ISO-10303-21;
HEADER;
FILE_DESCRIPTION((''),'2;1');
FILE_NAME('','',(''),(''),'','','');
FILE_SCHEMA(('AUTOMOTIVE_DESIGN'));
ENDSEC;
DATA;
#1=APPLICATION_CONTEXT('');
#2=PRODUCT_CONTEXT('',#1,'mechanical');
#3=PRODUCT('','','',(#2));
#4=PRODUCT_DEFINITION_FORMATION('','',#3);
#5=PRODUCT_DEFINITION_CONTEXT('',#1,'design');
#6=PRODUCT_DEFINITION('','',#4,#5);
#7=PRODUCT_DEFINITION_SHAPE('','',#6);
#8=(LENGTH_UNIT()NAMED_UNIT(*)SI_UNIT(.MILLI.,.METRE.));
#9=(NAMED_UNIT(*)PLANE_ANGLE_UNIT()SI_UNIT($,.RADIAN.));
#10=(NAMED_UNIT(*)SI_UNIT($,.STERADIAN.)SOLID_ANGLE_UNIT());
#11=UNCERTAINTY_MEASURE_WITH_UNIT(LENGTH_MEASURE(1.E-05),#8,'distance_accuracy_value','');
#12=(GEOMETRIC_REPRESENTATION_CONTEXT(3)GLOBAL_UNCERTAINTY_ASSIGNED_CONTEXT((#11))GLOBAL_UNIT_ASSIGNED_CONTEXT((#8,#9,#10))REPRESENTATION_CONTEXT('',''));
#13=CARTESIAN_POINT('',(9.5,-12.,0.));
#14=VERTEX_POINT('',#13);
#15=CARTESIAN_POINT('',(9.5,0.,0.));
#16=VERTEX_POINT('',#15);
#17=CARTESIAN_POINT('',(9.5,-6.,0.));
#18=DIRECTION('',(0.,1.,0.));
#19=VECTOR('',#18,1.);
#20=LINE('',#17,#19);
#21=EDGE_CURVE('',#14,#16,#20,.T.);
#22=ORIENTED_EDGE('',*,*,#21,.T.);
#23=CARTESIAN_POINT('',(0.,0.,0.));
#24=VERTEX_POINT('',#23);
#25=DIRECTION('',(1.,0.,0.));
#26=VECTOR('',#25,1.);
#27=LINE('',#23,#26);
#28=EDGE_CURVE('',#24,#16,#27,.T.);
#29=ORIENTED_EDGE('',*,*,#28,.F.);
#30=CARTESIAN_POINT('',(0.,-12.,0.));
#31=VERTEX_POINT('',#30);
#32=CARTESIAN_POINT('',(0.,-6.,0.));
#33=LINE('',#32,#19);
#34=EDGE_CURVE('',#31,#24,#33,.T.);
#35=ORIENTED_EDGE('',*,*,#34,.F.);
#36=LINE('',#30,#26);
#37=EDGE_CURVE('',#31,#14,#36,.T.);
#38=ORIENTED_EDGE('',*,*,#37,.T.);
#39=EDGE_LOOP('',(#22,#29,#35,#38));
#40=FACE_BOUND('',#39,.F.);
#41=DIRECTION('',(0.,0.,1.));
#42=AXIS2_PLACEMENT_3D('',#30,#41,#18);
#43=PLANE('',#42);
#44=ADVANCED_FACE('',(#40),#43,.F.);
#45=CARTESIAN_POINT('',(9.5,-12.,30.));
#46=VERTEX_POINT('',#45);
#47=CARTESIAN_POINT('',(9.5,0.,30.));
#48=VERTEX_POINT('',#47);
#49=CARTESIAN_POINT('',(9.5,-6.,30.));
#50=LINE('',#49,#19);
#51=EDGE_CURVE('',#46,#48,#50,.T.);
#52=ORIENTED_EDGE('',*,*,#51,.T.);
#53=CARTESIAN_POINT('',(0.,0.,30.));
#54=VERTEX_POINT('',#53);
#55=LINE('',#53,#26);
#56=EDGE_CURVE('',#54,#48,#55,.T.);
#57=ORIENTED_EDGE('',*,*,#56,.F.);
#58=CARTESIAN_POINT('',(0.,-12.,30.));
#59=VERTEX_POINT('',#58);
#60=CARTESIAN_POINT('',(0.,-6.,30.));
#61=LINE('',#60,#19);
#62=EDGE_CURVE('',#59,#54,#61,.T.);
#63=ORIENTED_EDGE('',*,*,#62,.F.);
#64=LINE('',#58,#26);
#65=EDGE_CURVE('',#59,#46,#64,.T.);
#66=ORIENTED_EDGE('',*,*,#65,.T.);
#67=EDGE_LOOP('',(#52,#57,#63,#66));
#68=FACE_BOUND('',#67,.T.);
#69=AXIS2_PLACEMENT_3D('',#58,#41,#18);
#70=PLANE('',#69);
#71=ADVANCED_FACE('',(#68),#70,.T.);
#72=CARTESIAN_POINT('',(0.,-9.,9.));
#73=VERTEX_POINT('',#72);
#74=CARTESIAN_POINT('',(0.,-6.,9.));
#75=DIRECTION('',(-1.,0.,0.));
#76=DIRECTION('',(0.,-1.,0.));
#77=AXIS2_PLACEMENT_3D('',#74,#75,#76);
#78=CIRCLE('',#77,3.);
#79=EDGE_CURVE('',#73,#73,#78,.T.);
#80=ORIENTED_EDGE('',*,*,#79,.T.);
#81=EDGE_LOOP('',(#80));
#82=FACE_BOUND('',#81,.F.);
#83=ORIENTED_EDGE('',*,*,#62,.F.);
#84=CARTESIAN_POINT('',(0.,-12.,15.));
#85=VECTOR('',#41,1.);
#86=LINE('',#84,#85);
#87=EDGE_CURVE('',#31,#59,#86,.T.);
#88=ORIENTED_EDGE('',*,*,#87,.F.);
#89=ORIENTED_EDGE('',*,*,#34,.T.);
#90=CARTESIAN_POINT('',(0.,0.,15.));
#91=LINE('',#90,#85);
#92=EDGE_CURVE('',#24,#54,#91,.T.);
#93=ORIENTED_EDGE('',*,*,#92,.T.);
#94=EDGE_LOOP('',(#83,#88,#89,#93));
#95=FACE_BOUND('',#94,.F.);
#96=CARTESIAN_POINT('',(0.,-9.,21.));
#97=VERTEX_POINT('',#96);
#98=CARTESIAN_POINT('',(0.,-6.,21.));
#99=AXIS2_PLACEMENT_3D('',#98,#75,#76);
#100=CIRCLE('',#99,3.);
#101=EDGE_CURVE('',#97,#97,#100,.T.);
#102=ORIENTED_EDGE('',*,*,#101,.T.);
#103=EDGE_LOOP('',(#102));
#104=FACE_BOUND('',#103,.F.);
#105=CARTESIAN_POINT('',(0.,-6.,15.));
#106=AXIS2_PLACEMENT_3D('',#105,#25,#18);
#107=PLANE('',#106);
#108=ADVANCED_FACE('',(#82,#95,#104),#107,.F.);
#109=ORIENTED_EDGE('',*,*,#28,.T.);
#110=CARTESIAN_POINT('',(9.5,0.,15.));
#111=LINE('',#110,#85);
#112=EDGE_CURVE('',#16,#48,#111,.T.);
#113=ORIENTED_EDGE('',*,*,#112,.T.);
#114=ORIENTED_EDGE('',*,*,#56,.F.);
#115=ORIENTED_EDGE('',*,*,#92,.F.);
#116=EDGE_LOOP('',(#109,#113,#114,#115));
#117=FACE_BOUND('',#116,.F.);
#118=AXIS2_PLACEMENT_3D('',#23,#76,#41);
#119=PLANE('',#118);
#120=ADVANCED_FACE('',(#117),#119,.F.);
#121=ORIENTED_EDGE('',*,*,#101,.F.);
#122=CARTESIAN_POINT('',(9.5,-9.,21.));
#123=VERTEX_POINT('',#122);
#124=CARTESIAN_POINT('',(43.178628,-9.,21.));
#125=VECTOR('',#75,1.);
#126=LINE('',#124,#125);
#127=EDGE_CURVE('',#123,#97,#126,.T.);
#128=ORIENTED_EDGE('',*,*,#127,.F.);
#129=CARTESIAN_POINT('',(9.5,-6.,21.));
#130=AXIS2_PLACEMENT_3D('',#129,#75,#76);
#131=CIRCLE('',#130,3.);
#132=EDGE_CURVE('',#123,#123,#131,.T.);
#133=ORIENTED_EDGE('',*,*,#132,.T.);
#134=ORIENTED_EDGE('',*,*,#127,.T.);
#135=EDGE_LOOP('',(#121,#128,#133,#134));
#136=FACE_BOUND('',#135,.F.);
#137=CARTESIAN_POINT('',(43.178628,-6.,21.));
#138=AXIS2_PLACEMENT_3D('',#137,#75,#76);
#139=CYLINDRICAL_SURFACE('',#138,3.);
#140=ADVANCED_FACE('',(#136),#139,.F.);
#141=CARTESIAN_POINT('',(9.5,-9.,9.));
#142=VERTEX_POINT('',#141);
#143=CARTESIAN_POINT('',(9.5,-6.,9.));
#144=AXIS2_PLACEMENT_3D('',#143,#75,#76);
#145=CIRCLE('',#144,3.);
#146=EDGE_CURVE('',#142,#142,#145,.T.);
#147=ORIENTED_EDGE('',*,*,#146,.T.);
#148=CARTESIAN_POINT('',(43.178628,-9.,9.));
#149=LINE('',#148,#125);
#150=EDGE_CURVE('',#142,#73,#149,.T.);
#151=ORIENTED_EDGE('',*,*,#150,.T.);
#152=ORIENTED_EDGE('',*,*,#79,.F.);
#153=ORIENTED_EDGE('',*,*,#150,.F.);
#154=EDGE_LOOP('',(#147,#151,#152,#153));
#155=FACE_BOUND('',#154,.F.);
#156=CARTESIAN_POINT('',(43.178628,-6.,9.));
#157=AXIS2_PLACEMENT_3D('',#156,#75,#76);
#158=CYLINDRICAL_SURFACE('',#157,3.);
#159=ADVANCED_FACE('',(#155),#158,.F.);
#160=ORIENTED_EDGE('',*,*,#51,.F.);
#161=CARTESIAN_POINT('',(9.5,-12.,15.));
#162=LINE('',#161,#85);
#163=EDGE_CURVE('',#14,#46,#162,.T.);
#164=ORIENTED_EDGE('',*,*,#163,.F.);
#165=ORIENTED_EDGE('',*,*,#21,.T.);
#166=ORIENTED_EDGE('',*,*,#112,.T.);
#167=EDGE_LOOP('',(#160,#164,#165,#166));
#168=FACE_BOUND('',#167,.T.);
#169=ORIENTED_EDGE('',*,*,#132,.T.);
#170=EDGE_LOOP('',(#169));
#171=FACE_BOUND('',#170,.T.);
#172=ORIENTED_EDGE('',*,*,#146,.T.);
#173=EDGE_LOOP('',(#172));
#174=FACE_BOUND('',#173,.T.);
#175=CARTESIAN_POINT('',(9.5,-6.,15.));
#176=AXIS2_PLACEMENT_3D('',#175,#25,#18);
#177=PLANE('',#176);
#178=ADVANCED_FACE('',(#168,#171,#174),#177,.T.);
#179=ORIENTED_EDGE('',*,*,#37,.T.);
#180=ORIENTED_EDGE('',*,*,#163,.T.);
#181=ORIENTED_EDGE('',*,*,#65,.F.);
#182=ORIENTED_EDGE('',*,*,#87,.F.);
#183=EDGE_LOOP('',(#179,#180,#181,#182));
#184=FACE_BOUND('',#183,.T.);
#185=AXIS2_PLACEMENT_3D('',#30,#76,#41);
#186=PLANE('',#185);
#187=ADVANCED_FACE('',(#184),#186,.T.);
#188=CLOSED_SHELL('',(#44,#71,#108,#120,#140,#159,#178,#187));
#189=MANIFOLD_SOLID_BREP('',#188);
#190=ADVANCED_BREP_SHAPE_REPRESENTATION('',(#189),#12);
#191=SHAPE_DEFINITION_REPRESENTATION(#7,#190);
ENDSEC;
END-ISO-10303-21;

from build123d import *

# Parameters (mm, degrees)
F0_W     = 12
F0_H     = 30
F1_DEPTH = 9.5
F3_D     = 6
F4_D     = 6


with BuildPart() as f1:
    # F0 (on Right) → F1 (new body)
    with BuildSketch(Plane.YZ):
        with Locations((-6, 15)):
            Rectangle(F0_W, F0_H)
    extrude(amount=F1_DEPTH)

    # F3 (through all)
    with Locations(Plane.YZ.offset(9.5)):
        with Locations((-6, 9)):
            Hole(F3_D / 2)

    # F4 (through all)
    with Locations(Plane.YZ.offset(9.5)):
        with Locations((-6, 21)):
            Hole(F4_D / 2)


solid = f1.part
